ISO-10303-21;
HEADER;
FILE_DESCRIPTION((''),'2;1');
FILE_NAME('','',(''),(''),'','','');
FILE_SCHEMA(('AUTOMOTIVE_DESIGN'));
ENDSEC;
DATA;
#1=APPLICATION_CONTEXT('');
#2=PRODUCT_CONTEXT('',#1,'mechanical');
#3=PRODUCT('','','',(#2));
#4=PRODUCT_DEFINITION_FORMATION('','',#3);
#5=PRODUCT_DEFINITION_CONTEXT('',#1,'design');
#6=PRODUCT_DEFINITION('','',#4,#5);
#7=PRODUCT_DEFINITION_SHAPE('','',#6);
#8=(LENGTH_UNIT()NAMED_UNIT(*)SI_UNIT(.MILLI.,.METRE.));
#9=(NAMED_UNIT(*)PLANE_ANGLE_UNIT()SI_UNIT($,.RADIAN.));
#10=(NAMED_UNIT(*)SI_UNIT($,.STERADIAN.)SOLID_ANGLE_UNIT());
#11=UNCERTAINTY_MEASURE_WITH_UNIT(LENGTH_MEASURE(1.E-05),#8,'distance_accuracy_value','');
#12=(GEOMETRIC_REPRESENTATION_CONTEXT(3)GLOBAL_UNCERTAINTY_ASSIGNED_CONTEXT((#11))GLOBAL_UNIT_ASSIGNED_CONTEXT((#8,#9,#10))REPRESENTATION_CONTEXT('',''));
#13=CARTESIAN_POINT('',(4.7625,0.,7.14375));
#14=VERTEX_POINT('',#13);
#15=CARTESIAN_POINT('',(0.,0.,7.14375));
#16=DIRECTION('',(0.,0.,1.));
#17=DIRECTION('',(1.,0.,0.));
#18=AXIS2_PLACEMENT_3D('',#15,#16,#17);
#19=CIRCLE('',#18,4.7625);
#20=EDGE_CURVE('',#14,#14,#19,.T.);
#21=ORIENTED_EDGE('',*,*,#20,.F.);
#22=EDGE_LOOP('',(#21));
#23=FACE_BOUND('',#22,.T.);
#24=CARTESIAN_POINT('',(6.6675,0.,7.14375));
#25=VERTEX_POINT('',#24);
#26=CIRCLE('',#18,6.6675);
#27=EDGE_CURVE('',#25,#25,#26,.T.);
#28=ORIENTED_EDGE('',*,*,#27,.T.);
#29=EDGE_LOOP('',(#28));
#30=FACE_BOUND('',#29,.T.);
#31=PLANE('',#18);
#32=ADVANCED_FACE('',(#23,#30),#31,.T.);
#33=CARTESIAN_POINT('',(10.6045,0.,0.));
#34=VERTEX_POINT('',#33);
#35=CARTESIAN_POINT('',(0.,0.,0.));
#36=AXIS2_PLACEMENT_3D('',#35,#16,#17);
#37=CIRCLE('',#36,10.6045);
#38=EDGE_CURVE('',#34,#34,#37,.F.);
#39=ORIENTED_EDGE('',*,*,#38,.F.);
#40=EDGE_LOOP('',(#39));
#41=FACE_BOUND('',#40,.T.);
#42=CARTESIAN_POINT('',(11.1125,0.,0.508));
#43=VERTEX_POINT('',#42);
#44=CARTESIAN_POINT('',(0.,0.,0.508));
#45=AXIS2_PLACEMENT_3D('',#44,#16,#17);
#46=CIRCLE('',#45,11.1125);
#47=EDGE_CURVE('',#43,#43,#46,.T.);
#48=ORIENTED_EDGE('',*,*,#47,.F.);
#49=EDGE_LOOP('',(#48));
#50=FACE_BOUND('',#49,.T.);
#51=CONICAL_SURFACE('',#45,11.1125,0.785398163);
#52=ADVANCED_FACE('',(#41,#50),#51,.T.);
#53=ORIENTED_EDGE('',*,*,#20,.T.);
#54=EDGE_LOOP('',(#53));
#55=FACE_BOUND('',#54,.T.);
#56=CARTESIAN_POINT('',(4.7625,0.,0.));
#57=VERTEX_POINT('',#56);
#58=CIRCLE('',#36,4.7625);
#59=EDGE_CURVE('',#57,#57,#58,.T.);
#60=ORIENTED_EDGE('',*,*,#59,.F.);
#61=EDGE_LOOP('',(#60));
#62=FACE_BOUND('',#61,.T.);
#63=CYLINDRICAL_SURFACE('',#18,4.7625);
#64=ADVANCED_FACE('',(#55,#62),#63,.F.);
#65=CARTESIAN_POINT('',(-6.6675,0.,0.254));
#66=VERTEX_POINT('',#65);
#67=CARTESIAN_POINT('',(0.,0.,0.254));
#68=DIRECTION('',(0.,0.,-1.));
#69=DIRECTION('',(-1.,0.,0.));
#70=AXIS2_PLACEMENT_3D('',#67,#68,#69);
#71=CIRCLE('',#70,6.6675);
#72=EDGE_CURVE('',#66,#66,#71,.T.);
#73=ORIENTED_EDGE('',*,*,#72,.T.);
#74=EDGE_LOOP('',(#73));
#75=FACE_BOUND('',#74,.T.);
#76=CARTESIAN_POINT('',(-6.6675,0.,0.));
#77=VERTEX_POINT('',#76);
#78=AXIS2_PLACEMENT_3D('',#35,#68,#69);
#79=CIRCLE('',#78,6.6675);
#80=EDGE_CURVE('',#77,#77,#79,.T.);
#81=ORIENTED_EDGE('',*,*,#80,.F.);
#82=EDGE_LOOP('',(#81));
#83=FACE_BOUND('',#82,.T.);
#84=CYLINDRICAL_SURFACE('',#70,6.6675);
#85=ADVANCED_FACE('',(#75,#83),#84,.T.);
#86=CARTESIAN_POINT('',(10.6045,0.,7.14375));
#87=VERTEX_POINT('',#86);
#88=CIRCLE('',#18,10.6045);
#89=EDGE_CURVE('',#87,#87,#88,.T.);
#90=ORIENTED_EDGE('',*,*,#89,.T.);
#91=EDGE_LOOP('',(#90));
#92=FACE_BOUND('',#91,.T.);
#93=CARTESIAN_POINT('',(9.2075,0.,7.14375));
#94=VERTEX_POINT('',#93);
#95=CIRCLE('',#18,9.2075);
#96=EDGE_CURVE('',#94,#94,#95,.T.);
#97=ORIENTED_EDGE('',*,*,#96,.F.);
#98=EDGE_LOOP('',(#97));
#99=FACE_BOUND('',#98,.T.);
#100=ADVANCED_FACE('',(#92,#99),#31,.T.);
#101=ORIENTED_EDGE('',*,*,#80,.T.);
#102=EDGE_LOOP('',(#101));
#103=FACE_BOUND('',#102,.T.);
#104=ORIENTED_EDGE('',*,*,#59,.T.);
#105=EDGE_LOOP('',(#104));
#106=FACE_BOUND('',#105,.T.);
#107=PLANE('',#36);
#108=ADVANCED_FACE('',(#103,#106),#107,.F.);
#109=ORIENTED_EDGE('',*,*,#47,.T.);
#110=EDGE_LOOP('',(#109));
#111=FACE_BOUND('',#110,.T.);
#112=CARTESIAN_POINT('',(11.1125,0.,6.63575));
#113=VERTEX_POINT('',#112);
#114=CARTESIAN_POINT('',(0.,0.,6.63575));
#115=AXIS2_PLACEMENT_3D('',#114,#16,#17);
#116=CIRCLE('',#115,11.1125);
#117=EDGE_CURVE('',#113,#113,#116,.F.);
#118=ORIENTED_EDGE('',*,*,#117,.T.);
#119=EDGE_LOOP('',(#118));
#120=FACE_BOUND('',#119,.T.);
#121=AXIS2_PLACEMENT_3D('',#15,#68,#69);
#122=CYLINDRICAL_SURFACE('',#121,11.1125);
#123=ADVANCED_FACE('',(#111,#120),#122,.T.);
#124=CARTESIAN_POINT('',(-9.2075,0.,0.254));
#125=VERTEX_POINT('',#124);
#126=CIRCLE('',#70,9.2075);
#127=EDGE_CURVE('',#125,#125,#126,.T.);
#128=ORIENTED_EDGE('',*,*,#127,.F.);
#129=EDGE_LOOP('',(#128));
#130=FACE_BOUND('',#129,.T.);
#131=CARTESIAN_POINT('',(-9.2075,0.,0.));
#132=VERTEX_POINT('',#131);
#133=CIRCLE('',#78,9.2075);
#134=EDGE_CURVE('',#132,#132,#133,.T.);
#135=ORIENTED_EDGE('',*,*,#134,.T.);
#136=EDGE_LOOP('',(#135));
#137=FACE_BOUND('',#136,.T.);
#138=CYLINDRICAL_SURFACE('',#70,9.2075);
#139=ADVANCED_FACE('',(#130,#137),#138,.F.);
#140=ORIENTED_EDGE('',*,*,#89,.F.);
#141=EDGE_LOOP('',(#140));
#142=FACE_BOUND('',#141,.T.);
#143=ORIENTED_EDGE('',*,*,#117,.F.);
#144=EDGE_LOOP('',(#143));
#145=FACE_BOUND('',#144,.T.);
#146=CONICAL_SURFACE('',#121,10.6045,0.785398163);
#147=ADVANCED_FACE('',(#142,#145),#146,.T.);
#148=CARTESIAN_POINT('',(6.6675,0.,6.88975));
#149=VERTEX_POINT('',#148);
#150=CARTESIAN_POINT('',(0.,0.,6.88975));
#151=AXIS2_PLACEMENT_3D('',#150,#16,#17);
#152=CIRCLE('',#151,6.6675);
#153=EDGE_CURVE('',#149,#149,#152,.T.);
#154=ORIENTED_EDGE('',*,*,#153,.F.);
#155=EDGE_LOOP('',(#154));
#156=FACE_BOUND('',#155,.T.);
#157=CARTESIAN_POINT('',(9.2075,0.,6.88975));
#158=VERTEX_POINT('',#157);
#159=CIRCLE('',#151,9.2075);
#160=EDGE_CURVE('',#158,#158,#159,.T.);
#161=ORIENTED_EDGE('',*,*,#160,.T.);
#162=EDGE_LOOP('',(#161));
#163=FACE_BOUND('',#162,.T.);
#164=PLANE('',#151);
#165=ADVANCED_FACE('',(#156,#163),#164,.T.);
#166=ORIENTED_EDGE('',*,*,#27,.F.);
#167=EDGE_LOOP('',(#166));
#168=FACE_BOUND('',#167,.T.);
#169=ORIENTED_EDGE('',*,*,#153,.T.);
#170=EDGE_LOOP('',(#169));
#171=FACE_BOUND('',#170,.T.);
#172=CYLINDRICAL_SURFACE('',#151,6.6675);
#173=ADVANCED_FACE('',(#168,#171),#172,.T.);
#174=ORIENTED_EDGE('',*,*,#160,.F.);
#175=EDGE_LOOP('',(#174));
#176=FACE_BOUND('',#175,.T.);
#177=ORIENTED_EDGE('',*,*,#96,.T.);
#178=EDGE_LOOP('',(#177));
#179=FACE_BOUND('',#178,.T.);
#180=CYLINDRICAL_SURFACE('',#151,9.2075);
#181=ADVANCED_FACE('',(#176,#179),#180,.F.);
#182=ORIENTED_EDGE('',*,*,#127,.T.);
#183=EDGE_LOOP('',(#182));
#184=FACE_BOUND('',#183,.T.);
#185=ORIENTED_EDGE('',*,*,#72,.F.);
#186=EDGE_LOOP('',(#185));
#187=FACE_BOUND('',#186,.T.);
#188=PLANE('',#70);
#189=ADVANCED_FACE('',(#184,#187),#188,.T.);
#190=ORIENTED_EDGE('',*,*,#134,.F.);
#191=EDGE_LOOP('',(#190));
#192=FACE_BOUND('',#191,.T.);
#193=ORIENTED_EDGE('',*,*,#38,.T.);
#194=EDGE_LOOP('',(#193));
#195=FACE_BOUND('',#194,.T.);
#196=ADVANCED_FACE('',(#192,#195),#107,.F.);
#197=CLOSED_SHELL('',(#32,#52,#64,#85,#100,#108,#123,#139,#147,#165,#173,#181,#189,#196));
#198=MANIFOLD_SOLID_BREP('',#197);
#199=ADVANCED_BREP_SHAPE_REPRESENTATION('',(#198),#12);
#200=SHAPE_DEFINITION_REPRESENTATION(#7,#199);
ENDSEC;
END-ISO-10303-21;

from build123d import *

# Parameters (mm, degrees)
SKETCH1_R                    = 11.1125
BOSS_EXTRUDE1_DEPTH          = 7.14375
CHAMFER1_SIZE                = 0.508
F_3_8_0_375_DIAMETER_HOLE1_D = 9.525
SKETCH5_R                    = 9.2075
SKETCH5_R_2                  = 6.6675
CUT_EXTRUDE1_DEPTH           = 0.254
CUT_EXTRUDE2_START           = -0.254
SKETCH6_R                    = 9.2075
SKETCH6_R_2                  = 6.6675
CUT_EXTRUDE2_DEPTH           = 0.254


with BuildPart() as part:
    # Sketch1 → Boss-Extrude1 (new body)
    with BuildSketch(Plane.XY):
        Circle(SKETCH1_R)
    extrude(amount=BOSS_EXTRUDE1_DEPTH)

    # Chamfer1
    chamfer1_edges = [part.edges().sort_by_distance(p)[0] for p in [
        (-11.1125, 0, 0),
        (-11.1125, 0, 7.14375),
    ]]
    chamfer(chamfer1_edges, length=CHAMFER1_SIZE)

    # 3/8 (0.375) Diameter Hole1 (through all)
    with Locations(Plane.XY.offset(7.14375)):
        with Locations((0, 0)):
            Hole(F_3_8_0_375_DIAMETER_HOLE1_D / 2)

    # Sketch5 → Cut-Extrude1 (cut)
    with BuildSketch(Plane.XY.offset(7.14375)):
        Circle(SKETCH5_R)
        Circle(SKETCH5_R_2, mode=Mode.SUBTRACT)
    extrude(amount=-CUT_EXTRUDE1_DEPTH, mode=Mode.SUBTRACT)

    # Sketch6 → Cut-Extrude2 (cut)
    with BuildSketch(Plane(origin=(0, 0, 0), x_dir=(-1, 0, 0), z_dir=(0, 0, -1)).offset(CUT_EXTRUDE2_START)):
        with Locations(Location((0, 0, 0), (0, 0, 180))):
            Circle(SKETCH6_R)
        with Locations(Location((0, 0, 0), (0, 0, 180))):
            Circle(SKETCH6_R_2, mode=Mode.SUBTRACT)
    extrude(amount=CUT_EXTRUDE2_DEPTH, mode=Mode.SUBTRACT)


solid = part.part
